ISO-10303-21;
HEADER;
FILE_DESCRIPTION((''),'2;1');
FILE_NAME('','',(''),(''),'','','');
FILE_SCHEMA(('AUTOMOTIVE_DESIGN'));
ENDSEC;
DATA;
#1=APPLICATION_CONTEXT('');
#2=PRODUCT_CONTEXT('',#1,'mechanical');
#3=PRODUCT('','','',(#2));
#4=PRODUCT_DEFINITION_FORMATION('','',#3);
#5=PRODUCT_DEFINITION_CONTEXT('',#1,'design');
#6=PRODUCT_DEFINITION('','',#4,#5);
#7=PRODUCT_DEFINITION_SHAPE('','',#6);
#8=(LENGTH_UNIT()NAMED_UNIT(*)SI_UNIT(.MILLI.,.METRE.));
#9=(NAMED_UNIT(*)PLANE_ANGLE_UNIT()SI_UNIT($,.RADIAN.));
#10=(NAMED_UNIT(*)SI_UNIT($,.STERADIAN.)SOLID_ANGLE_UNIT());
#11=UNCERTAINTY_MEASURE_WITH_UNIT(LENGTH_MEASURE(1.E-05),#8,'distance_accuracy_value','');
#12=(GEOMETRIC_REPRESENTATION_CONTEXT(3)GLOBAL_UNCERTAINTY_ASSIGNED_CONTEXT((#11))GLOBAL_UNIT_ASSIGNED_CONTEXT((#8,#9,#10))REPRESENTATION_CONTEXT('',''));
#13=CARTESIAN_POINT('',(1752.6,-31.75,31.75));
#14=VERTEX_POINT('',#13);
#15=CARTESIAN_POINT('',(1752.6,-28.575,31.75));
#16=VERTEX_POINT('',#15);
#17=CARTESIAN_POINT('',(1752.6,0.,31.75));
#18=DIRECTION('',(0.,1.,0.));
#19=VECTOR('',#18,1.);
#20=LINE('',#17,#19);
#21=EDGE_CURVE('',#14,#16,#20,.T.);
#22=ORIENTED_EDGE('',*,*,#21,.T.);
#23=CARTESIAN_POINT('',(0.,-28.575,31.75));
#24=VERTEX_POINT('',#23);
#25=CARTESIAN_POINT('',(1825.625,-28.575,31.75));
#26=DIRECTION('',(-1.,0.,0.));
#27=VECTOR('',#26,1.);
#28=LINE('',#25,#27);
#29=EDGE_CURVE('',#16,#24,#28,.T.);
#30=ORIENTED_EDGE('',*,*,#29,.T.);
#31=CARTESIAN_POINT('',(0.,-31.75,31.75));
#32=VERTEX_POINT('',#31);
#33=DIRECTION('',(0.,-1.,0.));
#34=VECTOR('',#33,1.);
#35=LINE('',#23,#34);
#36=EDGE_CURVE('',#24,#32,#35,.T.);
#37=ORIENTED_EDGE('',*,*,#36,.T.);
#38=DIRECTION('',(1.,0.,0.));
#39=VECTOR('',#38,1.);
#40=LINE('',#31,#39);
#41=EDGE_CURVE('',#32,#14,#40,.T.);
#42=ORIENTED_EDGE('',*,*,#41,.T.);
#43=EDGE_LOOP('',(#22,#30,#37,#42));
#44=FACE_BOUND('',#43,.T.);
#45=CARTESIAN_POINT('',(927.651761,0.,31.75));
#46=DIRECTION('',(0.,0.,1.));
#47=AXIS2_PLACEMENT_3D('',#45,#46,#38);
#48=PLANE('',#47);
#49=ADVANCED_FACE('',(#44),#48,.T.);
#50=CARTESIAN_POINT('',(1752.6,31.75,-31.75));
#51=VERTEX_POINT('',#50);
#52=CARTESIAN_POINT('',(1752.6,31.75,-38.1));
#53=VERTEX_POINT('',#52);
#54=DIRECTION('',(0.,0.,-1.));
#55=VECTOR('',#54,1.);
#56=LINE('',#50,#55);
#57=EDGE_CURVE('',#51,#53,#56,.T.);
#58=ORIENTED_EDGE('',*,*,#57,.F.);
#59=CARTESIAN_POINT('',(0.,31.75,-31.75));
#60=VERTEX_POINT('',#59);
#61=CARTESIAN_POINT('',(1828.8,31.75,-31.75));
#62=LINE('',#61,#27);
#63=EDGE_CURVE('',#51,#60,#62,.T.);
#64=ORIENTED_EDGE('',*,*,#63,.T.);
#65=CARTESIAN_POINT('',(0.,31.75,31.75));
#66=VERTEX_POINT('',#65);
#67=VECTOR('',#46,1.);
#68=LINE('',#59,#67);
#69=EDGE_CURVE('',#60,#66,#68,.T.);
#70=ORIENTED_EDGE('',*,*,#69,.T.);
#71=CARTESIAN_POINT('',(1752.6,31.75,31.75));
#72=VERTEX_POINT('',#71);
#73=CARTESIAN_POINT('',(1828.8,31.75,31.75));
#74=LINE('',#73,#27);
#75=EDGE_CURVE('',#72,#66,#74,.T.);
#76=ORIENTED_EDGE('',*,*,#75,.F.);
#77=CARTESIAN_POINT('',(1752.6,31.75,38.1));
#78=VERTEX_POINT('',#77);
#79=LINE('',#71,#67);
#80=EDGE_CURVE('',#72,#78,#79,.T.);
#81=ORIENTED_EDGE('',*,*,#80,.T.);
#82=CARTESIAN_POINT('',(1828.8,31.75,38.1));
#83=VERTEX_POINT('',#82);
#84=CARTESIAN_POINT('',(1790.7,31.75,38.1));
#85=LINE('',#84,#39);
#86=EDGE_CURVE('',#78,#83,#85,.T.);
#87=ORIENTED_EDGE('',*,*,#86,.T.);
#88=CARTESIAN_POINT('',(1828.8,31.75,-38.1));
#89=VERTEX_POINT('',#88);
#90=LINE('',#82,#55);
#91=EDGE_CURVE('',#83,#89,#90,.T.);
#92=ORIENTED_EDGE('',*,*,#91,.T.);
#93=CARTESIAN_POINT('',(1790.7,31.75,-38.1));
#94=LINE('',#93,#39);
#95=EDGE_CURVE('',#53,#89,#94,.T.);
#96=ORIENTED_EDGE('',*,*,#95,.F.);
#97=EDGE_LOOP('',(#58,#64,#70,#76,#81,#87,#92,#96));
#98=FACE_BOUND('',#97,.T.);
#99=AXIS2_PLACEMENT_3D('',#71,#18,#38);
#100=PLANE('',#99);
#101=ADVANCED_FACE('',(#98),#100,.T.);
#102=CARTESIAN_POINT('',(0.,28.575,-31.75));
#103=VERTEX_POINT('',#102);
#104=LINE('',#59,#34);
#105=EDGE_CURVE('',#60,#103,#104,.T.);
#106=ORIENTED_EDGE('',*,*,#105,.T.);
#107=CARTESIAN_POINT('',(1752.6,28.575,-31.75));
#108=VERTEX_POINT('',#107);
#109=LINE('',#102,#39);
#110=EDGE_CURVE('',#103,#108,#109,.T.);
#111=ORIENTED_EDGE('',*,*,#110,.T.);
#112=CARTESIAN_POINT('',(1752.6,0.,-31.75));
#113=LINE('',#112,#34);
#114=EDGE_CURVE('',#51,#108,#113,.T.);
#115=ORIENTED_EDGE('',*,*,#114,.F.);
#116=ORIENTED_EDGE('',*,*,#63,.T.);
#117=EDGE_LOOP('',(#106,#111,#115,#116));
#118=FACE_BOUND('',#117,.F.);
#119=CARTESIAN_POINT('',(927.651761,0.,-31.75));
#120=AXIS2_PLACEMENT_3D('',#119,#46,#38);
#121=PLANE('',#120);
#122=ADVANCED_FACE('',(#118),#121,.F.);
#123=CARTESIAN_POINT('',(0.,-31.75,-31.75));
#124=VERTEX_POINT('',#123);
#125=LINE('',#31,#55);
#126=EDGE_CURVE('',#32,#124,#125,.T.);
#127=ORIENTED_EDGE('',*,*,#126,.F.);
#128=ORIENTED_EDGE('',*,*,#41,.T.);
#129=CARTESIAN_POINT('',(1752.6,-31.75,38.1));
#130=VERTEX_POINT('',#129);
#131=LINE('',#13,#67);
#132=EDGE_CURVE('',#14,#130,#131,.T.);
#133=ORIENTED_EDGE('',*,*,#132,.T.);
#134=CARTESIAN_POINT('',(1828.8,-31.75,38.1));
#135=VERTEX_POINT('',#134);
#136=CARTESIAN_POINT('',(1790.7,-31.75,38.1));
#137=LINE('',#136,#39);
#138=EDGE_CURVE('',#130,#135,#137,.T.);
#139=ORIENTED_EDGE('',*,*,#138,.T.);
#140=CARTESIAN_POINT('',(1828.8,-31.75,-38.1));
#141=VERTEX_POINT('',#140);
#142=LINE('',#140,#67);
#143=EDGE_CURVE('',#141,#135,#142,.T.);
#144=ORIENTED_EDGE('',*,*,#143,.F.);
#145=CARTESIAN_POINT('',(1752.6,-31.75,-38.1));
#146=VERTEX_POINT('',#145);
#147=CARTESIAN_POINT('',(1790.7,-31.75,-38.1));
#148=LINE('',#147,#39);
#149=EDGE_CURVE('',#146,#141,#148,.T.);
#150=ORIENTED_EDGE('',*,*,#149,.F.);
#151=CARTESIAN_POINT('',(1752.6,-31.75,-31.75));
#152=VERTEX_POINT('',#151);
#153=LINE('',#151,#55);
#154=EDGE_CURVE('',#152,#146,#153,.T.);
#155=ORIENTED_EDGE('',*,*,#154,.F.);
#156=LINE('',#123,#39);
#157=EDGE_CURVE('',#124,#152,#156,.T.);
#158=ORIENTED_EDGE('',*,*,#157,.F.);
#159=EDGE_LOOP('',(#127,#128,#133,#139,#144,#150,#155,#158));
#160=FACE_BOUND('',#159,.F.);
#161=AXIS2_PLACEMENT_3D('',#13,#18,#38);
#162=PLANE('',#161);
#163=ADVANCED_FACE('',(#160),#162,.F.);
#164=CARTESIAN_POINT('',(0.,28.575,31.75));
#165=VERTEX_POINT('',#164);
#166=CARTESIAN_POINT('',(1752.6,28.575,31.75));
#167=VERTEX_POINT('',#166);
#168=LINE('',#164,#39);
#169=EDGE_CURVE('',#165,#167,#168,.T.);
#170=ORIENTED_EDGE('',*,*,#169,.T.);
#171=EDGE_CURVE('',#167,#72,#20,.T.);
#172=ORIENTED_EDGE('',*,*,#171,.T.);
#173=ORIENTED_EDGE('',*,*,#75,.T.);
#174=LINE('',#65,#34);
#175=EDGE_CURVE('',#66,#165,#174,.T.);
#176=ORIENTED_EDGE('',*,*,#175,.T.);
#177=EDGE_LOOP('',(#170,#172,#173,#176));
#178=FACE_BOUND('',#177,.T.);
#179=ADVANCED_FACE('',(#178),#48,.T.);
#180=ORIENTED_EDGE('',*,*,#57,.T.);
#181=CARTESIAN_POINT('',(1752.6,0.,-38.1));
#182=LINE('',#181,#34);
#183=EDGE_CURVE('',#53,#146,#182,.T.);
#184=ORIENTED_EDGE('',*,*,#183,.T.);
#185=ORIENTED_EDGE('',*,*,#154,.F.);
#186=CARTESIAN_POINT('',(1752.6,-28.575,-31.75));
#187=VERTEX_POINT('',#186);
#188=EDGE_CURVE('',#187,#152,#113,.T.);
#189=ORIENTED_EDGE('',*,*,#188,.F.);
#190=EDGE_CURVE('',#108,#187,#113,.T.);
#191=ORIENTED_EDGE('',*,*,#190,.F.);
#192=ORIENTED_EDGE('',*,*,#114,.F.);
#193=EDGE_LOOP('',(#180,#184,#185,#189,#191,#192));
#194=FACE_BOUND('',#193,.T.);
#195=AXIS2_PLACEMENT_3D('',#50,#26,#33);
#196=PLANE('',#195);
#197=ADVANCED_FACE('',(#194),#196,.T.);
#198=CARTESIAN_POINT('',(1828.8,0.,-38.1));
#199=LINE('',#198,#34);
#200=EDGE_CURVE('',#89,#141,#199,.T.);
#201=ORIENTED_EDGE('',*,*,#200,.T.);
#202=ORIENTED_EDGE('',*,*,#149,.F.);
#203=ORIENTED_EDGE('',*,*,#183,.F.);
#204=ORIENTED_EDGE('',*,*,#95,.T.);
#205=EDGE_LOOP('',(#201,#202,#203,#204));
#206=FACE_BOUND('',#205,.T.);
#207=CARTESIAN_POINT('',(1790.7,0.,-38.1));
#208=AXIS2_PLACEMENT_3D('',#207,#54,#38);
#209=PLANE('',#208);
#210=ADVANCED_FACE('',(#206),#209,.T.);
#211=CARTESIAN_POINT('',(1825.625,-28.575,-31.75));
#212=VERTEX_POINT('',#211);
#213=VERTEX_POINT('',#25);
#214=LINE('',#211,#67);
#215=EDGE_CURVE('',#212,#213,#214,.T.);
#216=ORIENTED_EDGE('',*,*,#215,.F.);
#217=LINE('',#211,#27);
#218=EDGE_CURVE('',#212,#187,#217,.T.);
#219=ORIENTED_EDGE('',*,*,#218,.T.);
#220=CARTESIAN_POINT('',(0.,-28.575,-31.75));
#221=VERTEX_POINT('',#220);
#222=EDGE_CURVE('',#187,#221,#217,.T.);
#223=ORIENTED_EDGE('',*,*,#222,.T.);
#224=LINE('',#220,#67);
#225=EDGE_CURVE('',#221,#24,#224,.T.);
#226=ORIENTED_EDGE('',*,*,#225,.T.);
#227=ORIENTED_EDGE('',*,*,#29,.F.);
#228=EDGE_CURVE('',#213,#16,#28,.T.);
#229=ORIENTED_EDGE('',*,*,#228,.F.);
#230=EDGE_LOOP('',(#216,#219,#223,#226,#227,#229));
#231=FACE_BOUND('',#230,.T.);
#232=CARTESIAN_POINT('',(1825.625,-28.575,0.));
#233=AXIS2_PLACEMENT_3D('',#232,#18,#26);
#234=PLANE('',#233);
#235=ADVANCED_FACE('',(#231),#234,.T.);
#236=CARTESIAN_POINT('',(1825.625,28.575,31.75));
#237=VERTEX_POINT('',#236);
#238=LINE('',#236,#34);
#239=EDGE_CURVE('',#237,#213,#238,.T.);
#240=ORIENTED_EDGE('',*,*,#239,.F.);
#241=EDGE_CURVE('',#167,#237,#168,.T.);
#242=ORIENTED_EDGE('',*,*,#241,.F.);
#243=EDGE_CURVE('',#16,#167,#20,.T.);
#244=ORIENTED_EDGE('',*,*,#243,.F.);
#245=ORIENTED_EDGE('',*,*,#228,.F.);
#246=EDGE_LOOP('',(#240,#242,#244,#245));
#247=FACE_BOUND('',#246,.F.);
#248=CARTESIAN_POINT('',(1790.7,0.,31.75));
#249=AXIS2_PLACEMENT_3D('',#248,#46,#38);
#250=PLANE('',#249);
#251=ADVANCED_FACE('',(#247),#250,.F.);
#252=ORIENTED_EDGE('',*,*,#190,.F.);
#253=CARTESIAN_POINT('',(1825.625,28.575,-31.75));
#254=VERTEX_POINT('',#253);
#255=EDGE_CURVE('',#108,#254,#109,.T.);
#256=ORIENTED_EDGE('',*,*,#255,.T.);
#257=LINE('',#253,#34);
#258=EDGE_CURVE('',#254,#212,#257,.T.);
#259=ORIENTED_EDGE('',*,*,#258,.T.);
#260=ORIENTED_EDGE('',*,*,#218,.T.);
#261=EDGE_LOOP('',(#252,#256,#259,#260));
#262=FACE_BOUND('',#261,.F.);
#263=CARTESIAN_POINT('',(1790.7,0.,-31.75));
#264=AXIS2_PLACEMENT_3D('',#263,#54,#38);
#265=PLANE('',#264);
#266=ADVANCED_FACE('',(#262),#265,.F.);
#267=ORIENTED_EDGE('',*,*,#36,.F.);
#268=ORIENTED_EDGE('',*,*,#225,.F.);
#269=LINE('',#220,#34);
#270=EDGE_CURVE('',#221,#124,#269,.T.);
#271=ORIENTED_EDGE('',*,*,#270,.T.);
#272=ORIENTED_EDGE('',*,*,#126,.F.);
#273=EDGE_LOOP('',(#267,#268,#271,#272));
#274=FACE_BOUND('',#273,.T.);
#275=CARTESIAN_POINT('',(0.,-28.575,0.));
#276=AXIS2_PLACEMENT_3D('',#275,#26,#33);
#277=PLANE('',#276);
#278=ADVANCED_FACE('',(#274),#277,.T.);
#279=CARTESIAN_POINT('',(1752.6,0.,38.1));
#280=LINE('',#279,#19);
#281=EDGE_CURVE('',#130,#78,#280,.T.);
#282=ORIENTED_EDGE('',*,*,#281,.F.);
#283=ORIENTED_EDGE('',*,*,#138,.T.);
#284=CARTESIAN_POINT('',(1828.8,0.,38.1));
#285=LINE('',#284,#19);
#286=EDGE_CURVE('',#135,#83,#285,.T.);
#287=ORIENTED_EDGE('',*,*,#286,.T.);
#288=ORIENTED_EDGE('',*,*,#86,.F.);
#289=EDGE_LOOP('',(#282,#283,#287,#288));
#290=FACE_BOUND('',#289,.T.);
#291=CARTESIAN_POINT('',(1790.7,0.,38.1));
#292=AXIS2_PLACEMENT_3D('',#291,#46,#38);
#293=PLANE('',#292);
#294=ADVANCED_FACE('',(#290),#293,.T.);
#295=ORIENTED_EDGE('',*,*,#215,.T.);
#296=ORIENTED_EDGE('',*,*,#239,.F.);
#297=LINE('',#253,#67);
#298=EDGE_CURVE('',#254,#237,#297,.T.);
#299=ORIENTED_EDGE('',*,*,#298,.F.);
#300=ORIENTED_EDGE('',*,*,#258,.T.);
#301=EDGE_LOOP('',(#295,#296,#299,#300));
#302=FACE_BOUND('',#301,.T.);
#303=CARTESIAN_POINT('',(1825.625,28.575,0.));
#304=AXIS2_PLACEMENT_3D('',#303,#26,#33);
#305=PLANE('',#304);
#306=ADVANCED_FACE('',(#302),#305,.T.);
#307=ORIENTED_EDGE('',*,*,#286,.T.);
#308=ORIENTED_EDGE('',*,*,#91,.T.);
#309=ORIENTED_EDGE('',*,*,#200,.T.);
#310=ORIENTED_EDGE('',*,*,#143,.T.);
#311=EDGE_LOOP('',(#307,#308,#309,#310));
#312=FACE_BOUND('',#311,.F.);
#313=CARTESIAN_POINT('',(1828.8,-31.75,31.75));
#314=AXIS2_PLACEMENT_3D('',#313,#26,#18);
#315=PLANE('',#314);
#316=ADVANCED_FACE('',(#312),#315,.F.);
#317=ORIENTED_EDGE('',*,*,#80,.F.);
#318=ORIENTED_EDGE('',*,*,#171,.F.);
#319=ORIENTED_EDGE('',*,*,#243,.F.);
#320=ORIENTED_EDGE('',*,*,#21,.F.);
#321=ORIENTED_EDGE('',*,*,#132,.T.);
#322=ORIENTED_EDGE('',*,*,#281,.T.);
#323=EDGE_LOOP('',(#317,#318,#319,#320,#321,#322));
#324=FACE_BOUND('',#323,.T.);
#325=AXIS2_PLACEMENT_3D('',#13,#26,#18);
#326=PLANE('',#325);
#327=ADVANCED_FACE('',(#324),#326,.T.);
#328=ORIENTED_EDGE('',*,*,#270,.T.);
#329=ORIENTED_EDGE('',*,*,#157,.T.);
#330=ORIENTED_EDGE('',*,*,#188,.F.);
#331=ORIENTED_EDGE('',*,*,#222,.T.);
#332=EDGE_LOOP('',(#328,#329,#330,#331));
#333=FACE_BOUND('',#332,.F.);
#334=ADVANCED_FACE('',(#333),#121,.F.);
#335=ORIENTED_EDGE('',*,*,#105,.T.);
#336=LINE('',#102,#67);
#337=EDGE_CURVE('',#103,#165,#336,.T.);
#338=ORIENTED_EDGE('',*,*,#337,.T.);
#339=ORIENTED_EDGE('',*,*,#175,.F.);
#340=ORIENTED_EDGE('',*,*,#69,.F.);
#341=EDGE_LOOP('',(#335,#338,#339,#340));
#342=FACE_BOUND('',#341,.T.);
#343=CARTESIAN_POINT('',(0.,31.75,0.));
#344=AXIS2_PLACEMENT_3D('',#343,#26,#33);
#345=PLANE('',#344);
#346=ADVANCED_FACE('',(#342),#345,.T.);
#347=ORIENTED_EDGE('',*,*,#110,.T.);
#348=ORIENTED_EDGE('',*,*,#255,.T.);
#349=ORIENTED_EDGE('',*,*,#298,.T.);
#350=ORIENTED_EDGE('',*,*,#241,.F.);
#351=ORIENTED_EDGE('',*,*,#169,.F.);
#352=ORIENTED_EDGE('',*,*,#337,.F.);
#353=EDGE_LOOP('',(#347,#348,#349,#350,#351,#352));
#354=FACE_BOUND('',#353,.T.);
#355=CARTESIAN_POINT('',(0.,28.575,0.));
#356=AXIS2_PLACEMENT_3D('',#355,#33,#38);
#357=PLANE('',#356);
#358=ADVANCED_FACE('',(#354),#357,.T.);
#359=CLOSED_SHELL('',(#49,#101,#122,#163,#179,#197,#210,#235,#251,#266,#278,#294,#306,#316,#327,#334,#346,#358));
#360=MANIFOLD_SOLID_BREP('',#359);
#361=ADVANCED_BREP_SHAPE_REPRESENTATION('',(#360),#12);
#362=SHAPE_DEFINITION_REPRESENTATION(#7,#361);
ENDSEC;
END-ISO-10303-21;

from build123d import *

# Parameters (mm, degrees)
F1_DEPTH = 31.75
F2_W     = 76.2
F2_H     = 63.5
F3_DEPTH = 6.35
F4_W     = 76.2
F4_H     = 63.5
F5_DEPTH = 6.35


with BuildPart() as f1:
    # F0 (on Top) → F1 (new body, symmetric)
    with BuildSketch(Plane.XY):
        Polygon((1828.8, 31.75), (0, 31.75), (0, 28.575), (1825.625, 28.575), (1825.625, -28.575), (0, -28.575), (0, -31.75), (1828.8, -31.75), align=None)
    extrude(amount=F1_DEPTH, both=True)

    # F2 (on face) → F3 (join)
    with BuildSketch(Plane(origin=(0, 0, -31.75), x_dir=(1, 0, 0), z_dir=(0, 0, -1))):
        with Locations((1790.7, 0)):
            Rectangle(F2_W, F2_H)
    extrude(amount=F3_DEPTH)

    # F4 (on face) → F5 (join)
    with BuildSketch(Plane.XY.offset(31.75)):
        with Locations((1790.7, 0)):
            Rectangle(F4_W, F4_H)
    extrude(amount=F5_DEPTH)


solid = f1.part
